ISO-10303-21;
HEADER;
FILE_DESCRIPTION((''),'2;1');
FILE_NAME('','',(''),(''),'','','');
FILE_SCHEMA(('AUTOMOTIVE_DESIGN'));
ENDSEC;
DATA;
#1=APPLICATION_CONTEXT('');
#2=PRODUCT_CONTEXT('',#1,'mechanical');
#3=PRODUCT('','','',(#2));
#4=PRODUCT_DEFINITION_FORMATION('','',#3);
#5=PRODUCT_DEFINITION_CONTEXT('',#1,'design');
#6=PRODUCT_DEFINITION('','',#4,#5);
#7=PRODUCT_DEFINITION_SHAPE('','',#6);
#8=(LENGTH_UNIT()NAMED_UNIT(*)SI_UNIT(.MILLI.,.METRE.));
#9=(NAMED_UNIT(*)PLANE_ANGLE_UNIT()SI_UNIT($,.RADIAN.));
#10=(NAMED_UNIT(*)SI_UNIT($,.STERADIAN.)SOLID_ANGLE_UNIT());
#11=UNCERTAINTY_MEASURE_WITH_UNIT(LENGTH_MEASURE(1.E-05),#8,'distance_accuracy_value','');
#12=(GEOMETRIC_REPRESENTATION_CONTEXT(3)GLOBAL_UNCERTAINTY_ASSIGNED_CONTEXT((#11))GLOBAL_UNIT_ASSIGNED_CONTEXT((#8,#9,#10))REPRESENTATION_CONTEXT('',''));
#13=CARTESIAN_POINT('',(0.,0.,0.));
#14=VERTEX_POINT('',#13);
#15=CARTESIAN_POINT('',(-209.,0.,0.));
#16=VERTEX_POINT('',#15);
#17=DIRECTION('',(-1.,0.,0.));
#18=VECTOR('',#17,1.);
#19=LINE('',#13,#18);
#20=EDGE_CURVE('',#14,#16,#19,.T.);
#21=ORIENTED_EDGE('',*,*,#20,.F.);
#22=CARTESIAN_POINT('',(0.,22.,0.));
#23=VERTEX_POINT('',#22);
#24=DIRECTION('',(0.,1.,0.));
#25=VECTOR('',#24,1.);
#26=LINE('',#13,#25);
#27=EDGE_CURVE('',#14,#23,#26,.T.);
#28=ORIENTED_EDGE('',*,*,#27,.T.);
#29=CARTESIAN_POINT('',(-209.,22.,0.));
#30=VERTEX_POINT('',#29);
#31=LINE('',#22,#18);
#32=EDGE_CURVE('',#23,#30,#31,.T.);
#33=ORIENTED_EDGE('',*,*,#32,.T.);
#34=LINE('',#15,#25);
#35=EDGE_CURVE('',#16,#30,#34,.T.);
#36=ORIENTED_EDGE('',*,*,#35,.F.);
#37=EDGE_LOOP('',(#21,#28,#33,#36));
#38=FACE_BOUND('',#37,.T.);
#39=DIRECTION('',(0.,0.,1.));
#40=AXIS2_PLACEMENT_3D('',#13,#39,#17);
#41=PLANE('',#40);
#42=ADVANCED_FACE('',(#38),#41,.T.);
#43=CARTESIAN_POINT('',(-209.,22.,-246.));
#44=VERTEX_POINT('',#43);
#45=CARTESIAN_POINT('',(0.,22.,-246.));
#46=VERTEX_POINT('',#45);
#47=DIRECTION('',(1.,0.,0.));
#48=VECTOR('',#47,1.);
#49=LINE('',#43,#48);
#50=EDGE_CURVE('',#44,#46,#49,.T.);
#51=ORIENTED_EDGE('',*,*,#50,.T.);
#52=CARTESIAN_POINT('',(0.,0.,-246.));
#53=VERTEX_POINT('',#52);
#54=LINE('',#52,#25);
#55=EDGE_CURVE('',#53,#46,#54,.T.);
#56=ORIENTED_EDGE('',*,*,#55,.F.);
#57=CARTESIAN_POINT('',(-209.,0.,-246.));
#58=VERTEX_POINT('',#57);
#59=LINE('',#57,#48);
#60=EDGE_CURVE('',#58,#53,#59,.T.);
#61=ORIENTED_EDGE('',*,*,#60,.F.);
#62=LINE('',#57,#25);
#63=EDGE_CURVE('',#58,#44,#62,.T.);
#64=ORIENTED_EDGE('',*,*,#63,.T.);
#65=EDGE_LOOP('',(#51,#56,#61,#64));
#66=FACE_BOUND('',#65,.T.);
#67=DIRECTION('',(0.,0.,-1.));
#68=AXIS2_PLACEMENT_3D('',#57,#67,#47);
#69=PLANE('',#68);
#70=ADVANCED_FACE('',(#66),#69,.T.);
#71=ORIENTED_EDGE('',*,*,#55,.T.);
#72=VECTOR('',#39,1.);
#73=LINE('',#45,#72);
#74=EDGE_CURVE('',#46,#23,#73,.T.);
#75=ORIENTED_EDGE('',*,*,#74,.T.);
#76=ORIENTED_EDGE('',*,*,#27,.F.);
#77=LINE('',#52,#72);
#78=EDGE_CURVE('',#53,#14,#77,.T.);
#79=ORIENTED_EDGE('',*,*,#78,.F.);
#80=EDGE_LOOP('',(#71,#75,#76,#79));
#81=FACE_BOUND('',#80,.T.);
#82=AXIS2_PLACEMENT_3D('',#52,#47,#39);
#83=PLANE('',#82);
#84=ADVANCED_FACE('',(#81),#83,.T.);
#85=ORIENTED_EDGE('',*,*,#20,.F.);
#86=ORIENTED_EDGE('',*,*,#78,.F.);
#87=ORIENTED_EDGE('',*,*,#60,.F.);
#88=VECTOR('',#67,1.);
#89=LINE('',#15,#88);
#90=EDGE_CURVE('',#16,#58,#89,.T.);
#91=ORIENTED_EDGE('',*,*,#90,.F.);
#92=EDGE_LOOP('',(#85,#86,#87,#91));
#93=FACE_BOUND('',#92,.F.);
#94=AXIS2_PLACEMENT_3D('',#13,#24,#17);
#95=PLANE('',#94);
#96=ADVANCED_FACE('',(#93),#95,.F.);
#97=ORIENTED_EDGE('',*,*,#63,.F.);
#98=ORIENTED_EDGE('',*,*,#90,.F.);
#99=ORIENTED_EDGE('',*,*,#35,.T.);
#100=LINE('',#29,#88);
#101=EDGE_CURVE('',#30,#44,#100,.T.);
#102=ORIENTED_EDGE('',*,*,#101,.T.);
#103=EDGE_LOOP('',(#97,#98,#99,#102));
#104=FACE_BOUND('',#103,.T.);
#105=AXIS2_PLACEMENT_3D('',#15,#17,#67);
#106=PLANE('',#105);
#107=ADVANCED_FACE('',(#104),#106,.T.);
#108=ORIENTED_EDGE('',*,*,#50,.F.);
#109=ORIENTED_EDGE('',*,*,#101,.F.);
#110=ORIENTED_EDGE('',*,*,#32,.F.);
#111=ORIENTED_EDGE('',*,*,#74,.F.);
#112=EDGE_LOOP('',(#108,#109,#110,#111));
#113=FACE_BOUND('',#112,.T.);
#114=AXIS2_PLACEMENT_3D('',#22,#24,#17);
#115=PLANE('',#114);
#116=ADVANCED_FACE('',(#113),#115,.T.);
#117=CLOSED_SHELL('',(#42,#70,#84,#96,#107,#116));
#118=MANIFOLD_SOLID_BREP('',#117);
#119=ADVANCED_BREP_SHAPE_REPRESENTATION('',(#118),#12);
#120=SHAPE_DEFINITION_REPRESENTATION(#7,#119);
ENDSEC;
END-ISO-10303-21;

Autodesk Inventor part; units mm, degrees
ref_plane "YZ Plane" through (0, 0, 0) normal (1, 0, 0) x (0, 1, 0)
ref_plane "XZ Plane" through (0, 0, 0) normal (0, 1, 0) x (-1, 0, 0)
ref_plane "XY Plane" through (0, 0, 0) normal (0, 0, 1) x (1, 0, 0)
sketch "Эскиз1" plane through (0, 0, 0) normal (0, 1, 0) x (-1, 0, 0)
  line L0 (0, 0) -> (209, 0)
  line L1 (209, 0) -> (209, -246)
  line L2 (209, -246) -> (0, -246)
  line L3 (0, -246) -> (0, 0)
  dimension "d0" = 209
  dimension "d1" = 246
extrude "Выдавливание1" add sketch "Эскиз1" along normal blind 22
ref_plane "РабПлоскость1" through (0, 11, 0) normal (0, 1, 0) x (1, 0, 0)
properties part number "self"
